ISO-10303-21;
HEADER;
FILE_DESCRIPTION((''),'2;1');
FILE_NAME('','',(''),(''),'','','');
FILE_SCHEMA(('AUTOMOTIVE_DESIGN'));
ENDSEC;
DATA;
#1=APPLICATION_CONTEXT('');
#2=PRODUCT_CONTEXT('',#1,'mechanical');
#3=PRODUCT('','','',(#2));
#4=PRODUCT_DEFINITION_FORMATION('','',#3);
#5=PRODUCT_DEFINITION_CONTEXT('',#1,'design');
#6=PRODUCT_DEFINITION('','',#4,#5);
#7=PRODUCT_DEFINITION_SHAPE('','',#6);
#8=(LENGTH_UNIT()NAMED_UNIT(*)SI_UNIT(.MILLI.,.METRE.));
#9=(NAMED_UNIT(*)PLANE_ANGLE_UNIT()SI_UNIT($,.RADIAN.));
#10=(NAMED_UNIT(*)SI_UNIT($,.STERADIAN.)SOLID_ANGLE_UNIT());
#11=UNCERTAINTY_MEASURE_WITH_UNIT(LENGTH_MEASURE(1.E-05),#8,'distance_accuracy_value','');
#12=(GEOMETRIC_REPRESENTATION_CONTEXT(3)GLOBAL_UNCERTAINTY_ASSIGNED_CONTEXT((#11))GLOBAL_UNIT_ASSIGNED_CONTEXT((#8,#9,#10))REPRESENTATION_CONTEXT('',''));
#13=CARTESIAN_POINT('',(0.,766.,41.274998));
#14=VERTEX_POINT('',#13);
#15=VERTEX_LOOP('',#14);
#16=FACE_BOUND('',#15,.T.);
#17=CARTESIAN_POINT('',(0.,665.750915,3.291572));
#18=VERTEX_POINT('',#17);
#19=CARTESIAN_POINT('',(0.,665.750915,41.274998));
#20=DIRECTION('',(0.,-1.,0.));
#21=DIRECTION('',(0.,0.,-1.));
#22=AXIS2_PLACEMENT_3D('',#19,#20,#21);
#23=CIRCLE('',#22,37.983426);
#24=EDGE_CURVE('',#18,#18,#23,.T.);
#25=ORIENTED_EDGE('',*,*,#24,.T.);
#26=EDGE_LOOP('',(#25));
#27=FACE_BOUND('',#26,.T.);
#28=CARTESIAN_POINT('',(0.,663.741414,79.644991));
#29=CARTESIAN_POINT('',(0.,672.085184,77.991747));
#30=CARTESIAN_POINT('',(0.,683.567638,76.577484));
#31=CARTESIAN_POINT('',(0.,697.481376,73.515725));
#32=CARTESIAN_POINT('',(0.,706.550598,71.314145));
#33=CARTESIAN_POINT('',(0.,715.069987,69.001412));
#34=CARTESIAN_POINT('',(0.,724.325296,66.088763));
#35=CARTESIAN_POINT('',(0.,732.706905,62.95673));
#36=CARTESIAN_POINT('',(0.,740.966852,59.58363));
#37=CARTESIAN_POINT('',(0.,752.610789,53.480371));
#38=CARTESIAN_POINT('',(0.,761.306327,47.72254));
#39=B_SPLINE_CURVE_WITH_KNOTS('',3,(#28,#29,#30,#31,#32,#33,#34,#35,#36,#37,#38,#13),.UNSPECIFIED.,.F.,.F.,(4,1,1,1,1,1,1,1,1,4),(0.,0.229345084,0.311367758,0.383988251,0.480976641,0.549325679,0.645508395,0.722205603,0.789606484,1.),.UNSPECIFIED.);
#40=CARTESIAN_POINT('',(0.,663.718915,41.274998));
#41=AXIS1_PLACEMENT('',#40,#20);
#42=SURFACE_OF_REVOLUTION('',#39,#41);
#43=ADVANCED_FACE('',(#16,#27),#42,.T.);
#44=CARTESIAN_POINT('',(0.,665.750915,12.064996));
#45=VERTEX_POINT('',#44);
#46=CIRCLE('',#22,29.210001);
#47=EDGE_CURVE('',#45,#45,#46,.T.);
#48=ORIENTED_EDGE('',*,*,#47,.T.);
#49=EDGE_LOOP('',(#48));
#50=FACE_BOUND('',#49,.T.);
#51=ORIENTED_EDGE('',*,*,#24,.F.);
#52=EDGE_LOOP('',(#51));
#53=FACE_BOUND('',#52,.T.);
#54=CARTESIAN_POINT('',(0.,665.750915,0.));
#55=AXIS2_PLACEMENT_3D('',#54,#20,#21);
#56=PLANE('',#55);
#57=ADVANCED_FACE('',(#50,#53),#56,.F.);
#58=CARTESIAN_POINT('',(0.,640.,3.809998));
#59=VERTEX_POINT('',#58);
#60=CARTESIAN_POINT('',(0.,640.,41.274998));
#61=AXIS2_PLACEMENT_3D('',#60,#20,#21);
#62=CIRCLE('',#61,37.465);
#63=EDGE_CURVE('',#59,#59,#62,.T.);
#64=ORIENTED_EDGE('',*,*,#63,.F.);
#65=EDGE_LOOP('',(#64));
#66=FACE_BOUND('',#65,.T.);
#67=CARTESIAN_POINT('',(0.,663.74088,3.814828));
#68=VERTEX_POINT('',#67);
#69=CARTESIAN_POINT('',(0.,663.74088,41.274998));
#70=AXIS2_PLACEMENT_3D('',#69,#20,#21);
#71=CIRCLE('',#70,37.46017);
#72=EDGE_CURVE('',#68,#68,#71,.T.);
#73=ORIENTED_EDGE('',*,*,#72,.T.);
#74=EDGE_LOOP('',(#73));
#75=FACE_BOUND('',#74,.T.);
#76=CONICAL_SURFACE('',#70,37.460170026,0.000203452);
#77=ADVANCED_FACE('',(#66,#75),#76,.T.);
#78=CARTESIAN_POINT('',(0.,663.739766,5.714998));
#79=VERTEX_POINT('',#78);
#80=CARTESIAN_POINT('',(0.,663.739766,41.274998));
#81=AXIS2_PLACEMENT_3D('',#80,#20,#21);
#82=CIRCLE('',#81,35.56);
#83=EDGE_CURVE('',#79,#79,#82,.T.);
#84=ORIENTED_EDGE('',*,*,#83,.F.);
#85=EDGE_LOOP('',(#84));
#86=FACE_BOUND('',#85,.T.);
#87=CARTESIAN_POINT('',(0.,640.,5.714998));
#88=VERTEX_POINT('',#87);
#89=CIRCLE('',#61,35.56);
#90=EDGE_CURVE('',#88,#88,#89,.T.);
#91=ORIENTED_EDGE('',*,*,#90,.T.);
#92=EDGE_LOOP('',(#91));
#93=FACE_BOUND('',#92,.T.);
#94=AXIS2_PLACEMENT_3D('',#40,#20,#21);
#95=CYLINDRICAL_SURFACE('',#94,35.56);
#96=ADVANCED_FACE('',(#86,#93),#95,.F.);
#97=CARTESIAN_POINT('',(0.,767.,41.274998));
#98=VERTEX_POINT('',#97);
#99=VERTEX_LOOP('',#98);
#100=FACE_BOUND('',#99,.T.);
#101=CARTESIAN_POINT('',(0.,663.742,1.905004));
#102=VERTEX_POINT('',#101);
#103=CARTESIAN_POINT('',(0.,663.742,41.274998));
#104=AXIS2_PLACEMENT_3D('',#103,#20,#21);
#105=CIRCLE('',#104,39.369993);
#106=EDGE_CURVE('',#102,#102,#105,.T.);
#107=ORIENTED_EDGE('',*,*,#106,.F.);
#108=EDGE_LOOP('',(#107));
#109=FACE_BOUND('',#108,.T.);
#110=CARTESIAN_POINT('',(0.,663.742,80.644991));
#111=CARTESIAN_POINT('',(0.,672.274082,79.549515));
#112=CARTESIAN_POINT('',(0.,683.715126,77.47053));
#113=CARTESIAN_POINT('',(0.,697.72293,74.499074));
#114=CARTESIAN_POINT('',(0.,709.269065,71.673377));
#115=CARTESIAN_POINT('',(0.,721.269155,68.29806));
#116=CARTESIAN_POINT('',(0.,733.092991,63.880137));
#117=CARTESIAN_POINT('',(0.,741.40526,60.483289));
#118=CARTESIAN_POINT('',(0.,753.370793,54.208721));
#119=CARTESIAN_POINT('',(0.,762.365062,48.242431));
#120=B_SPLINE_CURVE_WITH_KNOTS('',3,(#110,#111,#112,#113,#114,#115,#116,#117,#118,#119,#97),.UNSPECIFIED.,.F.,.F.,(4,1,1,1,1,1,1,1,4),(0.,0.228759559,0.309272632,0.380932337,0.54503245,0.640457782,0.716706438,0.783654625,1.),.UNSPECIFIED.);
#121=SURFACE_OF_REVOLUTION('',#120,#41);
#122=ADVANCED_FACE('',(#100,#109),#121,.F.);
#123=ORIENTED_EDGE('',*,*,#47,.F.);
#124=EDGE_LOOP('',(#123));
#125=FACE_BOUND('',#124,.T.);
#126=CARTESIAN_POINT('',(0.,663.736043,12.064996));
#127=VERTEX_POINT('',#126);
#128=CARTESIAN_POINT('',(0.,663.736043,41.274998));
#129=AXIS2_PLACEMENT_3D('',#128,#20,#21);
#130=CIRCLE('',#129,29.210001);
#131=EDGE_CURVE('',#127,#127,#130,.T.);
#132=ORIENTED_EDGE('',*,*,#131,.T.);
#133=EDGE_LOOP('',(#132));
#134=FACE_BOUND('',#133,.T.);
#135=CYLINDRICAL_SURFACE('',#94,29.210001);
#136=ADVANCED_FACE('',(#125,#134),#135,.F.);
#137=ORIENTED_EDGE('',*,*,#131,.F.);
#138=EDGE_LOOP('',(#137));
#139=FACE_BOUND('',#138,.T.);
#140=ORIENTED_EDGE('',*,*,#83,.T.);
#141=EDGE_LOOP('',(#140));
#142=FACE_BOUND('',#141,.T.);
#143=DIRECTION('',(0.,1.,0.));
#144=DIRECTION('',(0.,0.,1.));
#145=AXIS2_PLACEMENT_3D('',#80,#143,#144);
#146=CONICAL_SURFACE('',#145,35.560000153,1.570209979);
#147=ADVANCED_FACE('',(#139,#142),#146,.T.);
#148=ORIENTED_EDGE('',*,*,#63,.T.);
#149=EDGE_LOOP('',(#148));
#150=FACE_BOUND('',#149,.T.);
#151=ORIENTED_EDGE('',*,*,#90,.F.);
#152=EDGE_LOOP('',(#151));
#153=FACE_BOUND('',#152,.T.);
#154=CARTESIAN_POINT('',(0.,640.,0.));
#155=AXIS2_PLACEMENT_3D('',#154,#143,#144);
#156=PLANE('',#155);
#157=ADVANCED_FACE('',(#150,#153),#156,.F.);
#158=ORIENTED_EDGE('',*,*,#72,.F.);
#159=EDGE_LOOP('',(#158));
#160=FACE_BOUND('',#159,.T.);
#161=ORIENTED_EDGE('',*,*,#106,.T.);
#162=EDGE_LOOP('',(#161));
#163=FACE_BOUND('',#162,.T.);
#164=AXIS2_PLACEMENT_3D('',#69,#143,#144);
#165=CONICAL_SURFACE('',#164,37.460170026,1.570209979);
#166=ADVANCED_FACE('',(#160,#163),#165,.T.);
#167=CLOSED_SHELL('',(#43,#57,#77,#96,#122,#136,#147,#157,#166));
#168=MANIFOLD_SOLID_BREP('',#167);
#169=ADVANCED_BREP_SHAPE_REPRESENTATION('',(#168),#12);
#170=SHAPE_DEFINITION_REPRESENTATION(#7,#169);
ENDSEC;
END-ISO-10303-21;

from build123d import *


with BuildPart() as part:
    # Sketch2 → Revolve1 (revolve)
    with BuildSketch(Plane(origin=(0, 0, 0), x_dir=(0, 0, -1), z_dir=(1, 0, 0)), mode=Mode.PRIVATE) as revolve1_sk:
        with BuildLine():
            Line((-76.834997864, 640), (-76.834997864, 663.739765876))
            Line((-76.834997864, 663.739765876), (-70.484998955, 663.736042569))
            Line((-70.484998955, 663.736042569), (-70.484998955, 665.750915351))
            Line((-70.484998955, 665.750915351), (-79.258423609, 665.750915351))
            add(Edge.make_bspline(
                [(-79.258423609, 665.750915351), (-77.820936389, 673.441033412), (-76.430828609, 684.23409126), (-73.515725058, 697.481376301), (-71.314144633, 706.550597686), (-69.001411997, 715.069986838), (-66.088762599, 724.325296016), (-62.956729918, 732.706904648), (-59.583630489, 740.966851543), (-53.480371306, 752.610789375), (-47.722539683, 761.30632688), (-41.274997711, 766)],
                knots=[0.018392631, 0.018392631, 0.018392631, 0.018392631, 0.229345084, 0.311367758, 0.383988251, 0.480976641, 0.549325679, 0.645508395, 0.722205603, 0.789606484, 1, 1, 1, 1], degree=3))
            Line((-41.274997711, 766), (-41.274997711, 767))
            add(Edge.make_bspline(
                [(-80.644990943, 663.741999857), (-79.549515028, 672.274081847), (-77.470530473, 683.715125998), (-74.499073842, 697.722929967), (-71.673376757, 709.269064542), (-68.298060234, 721.269154814), (-63.880137387, 733.092990878), (-60.483289367, 741.405259678), (-54.208721386, 753.370793333), (-48.242431496, 762.365061791), (-41.274997711, 767)],
                knots=[0, 0, 0, 0, 0.228759559, 0.309272632, 0.380932337, 0.54503245, 0.640457782, 0.716706438, 0.783654625, 1, 1, 1, 1], degree=3))
            Line((-80.644990943, 663.741999857), (-78.735167737, 663.740880036))
            Line((-78.735167737, 663.740880036), (-78.739997864, 640))
            Line((-78.739997864, 640), (-76.834997864, 640))
        make_face()
    revolve(revolve1_sk.sketch.rotate(Axis((0, 663.718915351, 41.274997711), (0, 1, 0)), 180), axis=Axis((0, 663.718915351, 41.274997711), (0, 1, 0)))


solid = part.part
